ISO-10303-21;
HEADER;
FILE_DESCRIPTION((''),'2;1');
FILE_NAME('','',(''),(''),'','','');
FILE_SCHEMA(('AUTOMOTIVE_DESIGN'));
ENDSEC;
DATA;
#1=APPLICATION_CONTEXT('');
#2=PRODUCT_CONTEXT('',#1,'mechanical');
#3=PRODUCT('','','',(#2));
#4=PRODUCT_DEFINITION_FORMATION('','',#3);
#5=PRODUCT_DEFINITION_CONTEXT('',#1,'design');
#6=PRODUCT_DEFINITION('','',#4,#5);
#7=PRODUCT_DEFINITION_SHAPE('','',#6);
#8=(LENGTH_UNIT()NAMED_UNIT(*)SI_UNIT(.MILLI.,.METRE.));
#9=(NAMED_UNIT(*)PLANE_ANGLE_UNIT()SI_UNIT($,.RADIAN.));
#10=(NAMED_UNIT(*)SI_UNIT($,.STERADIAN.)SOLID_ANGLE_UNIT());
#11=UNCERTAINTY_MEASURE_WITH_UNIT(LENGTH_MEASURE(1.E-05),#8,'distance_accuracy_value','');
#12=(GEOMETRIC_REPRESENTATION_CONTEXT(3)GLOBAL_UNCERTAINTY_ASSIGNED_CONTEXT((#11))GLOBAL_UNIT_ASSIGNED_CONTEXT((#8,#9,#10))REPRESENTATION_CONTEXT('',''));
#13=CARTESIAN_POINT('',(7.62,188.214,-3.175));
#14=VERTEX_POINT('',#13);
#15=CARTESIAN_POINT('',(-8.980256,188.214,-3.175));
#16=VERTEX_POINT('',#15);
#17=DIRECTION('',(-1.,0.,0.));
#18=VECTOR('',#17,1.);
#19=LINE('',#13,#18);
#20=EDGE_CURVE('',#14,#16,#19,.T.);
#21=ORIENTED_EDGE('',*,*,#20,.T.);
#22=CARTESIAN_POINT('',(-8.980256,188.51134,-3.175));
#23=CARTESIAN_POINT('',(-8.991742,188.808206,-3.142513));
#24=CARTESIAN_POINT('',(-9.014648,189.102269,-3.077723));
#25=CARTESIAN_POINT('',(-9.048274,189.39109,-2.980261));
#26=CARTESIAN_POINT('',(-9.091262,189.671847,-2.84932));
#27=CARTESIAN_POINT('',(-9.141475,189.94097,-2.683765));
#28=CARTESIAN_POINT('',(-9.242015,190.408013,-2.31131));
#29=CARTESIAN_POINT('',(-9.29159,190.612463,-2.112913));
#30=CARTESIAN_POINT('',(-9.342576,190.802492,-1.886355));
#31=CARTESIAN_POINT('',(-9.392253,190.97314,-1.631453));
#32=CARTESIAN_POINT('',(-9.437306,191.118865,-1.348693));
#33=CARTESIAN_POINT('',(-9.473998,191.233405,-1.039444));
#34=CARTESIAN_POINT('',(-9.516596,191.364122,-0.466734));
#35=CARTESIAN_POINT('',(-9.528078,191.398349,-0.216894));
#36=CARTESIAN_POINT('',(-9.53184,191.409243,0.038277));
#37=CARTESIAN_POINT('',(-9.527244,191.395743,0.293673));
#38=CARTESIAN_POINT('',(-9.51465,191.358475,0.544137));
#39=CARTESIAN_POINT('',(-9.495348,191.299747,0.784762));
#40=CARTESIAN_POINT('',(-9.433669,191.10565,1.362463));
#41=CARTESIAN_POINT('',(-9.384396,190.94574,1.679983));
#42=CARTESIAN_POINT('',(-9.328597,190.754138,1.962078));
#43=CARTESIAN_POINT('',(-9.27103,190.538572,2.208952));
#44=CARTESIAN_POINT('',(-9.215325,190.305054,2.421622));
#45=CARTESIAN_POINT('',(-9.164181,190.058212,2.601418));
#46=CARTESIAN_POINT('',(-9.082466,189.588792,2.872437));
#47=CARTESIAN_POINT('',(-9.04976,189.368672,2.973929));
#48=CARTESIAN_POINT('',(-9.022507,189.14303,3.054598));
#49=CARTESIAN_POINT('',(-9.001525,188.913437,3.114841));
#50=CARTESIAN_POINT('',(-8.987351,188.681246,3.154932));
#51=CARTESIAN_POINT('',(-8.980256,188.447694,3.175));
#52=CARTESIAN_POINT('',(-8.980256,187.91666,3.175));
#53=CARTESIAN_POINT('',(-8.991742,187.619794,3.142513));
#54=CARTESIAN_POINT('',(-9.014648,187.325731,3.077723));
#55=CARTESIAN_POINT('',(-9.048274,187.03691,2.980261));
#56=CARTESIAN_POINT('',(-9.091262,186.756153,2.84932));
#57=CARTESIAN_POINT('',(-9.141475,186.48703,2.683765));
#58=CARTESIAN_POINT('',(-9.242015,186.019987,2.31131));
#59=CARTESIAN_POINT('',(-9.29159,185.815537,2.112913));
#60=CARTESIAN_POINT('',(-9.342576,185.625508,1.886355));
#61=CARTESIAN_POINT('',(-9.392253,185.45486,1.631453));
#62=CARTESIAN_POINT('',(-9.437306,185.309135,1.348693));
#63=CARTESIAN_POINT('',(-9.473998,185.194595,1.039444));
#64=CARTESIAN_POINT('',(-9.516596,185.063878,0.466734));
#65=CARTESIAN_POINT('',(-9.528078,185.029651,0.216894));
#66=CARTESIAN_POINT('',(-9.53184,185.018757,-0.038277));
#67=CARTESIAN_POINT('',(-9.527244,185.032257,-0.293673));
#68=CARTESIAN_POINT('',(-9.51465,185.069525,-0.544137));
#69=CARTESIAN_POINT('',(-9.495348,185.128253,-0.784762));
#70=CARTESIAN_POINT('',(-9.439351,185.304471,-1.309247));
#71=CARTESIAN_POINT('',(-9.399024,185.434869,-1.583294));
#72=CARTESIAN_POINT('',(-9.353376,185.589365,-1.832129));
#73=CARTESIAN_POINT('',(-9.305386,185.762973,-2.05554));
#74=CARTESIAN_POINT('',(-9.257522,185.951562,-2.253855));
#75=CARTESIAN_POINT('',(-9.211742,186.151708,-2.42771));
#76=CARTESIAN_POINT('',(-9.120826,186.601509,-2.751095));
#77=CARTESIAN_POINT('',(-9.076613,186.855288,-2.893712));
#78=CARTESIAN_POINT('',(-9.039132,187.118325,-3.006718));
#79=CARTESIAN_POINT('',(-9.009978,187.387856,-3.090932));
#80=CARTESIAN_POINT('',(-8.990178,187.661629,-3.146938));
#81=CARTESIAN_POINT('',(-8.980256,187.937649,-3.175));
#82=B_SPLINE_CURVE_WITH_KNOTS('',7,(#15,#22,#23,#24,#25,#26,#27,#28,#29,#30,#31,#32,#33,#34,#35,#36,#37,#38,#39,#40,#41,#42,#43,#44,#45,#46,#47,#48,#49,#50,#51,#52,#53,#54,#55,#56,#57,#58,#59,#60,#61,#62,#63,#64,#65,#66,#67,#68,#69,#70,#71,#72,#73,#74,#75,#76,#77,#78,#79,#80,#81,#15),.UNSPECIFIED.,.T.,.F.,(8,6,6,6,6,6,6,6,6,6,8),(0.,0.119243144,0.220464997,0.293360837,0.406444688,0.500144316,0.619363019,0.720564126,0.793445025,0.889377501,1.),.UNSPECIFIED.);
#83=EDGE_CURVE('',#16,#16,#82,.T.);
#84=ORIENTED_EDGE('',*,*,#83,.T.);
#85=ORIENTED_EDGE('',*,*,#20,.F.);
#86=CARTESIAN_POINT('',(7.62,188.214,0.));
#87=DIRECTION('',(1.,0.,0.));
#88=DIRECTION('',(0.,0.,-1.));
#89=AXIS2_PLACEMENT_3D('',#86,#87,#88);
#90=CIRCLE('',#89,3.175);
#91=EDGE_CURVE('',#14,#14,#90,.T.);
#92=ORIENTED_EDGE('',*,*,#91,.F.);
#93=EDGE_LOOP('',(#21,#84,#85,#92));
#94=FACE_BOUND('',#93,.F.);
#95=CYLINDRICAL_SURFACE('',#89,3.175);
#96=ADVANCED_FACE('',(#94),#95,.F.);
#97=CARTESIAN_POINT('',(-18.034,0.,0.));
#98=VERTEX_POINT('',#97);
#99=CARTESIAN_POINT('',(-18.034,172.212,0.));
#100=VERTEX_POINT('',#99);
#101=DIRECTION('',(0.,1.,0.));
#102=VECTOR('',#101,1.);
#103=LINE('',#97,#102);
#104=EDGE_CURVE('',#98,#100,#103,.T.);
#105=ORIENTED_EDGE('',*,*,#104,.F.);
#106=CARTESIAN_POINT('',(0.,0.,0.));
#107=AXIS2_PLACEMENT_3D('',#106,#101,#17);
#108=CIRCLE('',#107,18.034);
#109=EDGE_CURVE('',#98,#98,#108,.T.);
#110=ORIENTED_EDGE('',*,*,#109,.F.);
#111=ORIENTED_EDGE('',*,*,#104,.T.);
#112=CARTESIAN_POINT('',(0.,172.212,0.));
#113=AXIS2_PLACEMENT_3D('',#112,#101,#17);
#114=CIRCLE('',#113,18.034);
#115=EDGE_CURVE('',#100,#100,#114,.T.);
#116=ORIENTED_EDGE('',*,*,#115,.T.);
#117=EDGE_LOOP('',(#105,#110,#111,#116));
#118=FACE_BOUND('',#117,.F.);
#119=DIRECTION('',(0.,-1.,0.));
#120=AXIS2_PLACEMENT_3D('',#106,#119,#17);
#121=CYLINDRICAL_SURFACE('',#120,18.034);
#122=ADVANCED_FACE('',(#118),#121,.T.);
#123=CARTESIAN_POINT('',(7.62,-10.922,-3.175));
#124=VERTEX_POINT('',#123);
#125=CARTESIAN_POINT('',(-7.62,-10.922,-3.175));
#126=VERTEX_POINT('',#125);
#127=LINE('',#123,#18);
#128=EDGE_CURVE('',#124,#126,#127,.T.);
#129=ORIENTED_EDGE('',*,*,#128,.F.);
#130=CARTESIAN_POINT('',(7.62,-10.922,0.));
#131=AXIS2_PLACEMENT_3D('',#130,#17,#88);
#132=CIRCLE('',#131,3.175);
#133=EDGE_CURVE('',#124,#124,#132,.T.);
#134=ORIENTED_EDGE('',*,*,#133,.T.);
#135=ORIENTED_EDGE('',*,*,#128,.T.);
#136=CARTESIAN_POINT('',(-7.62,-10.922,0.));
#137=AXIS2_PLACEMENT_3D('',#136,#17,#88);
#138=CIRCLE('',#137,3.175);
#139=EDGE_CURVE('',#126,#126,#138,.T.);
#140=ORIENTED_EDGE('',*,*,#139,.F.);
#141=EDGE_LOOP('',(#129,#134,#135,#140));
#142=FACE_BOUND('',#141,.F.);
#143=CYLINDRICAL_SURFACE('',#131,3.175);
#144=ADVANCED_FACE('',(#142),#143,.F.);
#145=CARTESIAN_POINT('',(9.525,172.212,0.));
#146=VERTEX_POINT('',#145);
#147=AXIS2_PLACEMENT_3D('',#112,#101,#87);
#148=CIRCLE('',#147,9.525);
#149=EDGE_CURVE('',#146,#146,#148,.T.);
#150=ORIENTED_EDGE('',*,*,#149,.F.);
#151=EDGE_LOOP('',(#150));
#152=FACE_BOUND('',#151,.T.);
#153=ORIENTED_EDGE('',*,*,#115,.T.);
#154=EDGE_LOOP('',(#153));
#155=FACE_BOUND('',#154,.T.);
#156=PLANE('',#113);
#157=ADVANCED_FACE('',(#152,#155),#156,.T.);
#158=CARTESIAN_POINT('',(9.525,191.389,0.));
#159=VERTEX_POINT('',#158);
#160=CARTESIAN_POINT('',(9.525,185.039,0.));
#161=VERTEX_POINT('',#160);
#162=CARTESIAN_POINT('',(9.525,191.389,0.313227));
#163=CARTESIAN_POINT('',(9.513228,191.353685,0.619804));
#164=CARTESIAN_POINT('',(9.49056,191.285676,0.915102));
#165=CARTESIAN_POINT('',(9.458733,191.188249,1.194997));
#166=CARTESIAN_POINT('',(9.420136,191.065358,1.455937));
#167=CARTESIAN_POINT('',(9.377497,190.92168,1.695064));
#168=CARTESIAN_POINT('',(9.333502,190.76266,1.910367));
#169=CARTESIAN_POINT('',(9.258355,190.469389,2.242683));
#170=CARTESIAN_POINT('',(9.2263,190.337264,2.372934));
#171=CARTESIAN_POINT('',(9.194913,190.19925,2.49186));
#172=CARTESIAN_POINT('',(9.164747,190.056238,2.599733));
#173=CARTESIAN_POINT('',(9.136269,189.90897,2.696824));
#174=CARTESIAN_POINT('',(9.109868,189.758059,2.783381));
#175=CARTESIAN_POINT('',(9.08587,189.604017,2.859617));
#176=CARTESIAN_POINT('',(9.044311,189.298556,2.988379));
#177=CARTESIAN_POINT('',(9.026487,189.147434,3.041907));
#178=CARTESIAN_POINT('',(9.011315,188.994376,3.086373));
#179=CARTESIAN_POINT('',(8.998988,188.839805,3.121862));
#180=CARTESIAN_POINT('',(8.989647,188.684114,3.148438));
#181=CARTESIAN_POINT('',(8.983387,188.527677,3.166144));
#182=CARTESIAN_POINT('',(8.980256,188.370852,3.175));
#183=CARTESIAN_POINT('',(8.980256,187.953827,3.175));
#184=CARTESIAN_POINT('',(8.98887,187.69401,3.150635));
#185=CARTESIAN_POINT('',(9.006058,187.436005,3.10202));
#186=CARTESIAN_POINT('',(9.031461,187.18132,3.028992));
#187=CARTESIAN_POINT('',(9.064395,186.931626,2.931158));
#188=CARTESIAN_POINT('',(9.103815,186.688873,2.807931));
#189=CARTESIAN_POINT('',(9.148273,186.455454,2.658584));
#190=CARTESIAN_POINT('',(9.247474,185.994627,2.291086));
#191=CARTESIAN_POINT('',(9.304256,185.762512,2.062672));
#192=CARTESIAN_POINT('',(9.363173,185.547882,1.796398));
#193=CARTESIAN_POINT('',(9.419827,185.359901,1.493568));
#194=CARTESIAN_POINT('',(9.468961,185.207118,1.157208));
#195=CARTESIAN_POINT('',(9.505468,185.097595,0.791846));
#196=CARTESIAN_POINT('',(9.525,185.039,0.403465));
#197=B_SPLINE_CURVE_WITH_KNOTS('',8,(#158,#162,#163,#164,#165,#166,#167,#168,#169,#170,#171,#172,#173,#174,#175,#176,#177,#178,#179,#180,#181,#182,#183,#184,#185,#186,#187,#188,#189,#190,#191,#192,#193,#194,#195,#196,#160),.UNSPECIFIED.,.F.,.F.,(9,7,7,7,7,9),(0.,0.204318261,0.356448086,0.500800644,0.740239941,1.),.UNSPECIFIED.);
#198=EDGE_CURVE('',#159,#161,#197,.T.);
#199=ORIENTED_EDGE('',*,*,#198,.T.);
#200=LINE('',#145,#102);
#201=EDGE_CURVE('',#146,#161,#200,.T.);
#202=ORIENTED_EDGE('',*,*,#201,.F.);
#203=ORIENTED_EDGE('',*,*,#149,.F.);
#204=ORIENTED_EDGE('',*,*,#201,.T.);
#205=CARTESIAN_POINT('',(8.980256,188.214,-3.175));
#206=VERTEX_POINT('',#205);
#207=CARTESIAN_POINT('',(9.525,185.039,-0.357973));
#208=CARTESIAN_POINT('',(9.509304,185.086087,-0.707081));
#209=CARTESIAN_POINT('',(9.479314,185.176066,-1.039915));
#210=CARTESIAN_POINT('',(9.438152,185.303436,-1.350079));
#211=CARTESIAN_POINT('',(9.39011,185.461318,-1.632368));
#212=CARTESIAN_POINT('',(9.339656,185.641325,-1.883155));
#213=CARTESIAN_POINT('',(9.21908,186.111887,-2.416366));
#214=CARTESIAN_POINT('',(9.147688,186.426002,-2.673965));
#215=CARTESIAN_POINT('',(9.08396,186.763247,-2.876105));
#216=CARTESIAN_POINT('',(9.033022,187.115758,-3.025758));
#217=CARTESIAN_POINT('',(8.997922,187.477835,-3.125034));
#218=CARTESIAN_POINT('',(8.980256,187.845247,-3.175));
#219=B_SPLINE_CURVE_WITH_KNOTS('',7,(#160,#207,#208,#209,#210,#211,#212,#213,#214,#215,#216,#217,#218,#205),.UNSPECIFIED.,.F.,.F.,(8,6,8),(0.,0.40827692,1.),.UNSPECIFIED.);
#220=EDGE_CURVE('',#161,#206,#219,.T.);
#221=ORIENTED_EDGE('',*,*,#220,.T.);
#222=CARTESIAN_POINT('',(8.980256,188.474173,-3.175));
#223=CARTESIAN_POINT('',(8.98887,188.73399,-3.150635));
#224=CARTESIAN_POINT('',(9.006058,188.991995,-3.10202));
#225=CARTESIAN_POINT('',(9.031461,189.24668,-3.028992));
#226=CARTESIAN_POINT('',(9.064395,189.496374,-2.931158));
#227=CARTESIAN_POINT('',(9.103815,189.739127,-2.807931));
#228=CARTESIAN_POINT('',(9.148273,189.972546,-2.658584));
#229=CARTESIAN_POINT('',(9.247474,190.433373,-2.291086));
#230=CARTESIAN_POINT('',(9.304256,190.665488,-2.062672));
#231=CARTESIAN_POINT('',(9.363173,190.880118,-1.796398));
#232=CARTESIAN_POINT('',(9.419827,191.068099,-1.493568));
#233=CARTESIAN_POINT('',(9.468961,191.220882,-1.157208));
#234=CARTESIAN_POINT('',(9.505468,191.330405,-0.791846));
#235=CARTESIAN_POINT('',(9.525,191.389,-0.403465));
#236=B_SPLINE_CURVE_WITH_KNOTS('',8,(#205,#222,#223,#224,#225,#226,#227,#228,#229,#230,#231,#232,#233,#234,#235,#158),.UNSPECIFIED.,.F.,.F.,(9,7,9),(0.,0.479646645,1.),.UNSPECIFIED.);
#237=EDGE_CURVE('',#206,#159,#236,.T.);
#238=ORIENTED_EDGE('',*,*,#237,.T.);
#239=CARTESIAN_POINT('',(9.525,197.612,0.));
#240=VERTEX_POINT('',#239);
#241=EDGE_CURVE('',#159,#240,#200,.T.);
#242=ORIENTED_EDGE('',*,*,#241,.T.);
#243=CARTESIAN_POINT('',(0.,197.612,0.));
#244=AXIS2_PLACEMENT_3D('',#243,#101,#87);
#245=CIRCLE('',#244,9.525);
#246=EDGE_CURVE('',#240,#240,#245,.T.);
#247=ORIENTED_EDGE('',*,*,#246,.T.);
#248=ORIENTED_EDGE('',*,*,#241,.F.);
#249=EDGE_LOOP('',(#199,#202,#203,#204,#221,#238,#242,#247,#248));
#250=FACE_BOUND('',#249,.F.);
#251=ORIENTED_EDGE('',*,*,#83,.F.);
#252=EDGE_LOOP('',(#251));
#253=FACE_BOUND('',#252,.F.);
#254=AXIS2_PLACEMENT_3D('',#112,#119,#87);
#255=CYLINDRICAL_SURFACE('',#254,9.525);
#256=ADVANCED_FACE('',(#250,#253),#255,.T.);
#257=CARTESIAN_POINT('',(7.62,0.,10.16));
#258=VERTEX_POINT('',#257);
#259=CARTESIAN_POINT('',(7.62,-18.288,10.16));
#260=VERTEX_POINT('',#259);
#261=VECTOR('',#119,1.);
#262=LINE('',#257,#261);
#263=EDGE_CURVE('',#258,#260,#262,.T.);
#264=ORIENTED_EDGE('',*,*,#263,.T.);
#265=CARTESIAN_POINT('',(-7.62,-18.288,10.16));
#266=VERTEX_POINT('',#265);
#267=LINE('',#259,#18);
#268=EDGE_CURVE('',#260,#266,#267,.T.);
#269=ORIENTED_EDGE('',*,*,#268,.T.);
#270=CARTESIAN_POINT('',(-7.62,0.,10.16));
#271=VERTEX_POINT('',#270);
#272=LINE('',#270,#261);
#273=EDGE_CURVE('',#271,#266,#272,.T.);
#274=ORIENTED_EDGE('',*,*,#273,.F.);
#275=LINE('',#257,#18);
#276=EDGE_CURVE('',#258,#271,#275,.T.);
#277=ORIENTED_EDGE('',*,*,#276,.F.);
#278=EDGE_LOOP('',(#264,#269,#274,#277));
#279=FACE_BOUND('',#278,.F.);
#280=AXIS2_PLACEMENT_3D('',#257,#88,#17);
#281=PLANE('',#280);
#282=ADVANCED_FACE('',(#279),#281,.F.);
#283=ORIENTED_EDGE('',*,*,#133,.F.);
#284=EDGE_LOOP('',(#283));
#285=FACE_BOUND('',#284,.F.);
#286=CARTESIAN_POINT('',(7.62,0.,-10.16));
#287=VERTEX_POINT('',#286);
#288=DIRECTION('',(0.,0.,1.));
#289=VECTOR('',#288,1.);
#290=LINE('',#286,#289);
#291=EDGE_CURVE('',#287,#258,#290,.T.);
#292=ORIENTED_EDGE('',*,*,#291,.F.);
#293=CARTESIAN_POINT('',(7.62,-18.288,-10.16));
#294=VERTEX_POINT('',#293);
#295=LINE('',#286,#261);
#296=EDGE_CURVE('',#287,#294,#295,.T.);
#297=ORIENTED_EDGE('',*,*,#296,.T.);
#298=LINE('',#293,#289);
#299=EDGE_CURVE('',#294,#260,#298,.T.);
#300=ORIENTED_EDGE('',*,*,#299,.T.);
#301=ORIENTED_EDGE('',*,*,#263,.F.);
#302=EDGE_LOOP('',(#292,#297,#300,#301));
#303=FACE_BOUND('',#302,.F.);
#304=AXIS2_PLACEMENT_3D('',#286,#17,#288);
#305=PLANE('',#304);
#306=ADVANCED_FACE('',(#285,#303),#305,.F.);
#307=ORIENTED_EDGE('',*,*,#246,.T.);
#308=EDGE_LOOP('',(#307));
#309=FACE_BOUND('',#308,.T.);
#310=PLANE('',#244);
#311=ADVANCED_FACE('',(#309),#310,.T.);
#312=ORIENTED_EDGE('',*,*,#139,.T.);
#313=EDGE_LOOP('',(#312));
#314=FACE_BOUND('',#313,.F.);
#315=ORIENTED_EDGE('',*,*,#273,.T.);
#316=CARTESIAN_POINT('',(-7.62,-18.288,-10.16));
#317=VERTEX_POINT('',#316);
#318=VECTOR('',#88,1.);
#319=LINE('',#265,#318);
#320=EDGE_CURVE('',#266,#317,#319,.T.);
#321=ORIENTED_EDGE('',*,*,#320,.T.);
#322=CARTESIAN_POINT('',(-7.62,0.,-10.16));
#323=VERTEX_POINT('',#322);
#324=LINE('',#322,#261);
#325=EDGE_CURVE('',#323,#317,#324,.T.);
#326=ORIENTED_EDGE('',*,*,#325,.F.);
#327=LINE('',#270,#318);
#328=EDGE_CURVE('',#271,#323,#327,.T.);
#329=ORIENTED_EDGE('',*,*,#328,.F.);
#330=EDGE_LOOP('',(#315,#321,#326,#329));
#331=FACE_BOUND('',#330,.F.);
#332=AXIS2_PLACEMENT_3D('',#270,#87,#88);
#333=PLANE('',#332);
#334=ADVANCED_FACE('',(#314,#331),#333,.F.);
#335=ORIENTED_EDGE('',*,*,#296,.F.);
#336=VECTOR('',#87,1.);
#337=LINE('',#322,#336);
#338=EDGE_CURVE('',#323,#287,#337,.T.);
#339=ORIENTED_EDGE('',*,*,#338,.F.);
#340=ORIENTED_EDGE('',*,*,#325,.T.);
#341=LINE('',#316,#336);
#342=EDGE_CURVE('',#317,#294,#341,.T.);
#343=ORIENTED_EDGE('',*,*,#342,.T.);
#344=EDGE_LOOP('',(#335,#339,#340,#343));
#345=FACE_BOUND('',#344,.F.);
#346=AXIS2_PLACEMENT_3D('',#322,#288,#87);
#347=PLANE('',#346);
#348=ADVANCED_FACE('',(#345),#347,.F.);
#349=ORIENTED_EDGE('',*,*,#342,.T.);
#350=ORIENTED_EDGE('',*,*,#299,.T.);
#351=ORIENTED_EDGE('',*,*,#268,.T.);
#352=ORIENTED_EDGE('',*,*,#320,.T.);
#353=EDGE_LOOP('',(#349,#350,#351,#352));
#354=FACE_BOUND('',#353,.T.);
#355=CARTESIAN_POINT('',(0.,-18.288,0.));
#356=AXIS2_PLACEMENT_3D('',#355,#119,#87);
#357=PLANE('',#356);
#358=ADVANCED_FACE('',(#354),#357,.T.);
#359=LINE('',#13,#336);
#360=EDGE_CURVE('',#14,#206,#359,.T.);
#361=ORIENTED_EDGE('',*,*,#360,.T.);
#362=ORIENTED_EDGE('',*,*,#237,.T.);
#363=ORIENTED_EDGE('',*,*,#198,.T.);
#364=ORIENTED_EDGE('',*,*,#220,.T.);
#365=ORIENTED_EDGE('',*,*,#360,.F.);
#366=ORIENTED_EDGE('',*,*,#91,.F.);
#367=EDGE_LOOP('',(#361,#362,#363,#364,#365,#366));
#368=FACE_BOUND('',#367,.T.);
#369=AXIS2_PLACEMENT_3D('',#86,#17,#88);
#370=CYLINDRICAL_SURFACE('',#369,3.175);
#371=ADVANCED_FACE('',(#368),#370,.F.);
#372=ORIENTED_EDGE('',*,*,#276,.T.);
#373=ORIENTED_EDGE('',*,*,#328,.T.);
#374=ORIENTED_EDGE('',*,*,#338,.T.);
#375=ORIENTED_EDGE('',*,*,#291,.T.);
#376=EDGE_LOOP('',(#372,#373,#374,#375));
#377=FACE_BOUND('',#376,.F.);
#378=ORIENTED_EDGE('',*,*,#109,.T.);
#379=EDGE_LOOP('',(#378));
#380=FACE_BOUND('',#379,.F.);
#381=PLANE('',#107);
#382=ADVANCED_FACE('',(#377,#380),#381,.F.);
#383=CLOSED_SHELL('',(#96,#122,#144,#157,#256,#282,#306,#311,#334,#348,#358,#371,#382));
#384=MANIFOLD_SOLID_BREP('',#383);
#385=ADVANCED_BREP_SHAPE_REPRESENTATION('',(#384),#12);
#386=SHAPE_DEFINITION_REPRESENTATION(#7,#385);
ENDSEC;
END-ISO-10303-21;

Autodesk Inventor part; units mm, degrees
ref_plane "YZ Plane" through (0, 0, 0) normal (1, 0, 0) x (0, 1, 0)
ref_plane "XZ Plane" through (0, 0, 0) normal (0, 1, 0) x (-1, 0, 0)
ref_plane "XY Plane" through (0, 0, 0) normal (0, 0, 1) x (1, 0, 0)
sketch "Sketch1" plane through (0, 0, 0) normal (0, 1, 0) x (-1, 0, 0)
  circle A0 centre (0, 0) radius 18.034
  dimension "d0" = 36.068
extrude "Extrusion1" add sketch "Sketch1" along normal blind 172.212
sketch "Sketch2" plane through (0, 172.212, 0) normal (0, 1, 0) x (1, 0, 0)
  circle A0 centre (0, 0) radius 9.525
  dimension "d3" = 19.05
extrude "Extrusion2" add sketch "Sketch2" along normal blind 25.4
sketch "Sketch3" plane through (0, 0, 0) normal (0, -1, 0) x (1, 0, 0)
  line L0 (-7.62, -10.16) -> (7.62, -10.16)
  line L1 (7.62, -10.16) -> (7.62, 10.16)
  line L2 (7.62, 10.16) -> (-7.62, 10.16)
  line L3 (-7.62, 10.16) -> (-7.62, -10.16)
  line L4 (-7.62, -10.16) -> (7.62, 10.16) construction
  line L5 (7.62, -10.16) -> (-7.62, 10.16) construction
  point P0 (0, 0)
  dimension "d6" = 15.24
  dimension "d7" = 20.32
extrude "Extrusion3" add sketch "Sketch3" along normal blind 18.288
sketch "Sketch4" plane through (7.62, 0, 10.16) normal (1, 0, 0) x (0, 0, -1)
  line L0 (0, 0) -> (20.32, 0) projected
  line L1 (20.32, 0) -> (20.32, -18.288) projected
  point P0 (10.16, 0)
  point P1 (10.16, -10.922)
  dimension "d10" = 10.922
  dimension "d11" = 10.16
hole "Hole1" at (7.62, -10.922, 0) direction (-1, 0, 0) diameter 6.35 end through all
sketch "Sketch5" plane through (7.62, 0, 10.16) normal (1, 0, 0) x (0, 0, -1)
  circle A0 centre (10.16, 188.214) radius 3.175
  line L0 (19.685, 197.612) -> (0.635, 197.612) projected
  point P0 (10.16, 0)
  dimension "d19" = 6.35
  dimension "d24" = 9.398
extrude "Extrusion4" cut sketch "Sketch5" along normal mid plane 127
properties part number "7.5 inch Linear Actuator"
